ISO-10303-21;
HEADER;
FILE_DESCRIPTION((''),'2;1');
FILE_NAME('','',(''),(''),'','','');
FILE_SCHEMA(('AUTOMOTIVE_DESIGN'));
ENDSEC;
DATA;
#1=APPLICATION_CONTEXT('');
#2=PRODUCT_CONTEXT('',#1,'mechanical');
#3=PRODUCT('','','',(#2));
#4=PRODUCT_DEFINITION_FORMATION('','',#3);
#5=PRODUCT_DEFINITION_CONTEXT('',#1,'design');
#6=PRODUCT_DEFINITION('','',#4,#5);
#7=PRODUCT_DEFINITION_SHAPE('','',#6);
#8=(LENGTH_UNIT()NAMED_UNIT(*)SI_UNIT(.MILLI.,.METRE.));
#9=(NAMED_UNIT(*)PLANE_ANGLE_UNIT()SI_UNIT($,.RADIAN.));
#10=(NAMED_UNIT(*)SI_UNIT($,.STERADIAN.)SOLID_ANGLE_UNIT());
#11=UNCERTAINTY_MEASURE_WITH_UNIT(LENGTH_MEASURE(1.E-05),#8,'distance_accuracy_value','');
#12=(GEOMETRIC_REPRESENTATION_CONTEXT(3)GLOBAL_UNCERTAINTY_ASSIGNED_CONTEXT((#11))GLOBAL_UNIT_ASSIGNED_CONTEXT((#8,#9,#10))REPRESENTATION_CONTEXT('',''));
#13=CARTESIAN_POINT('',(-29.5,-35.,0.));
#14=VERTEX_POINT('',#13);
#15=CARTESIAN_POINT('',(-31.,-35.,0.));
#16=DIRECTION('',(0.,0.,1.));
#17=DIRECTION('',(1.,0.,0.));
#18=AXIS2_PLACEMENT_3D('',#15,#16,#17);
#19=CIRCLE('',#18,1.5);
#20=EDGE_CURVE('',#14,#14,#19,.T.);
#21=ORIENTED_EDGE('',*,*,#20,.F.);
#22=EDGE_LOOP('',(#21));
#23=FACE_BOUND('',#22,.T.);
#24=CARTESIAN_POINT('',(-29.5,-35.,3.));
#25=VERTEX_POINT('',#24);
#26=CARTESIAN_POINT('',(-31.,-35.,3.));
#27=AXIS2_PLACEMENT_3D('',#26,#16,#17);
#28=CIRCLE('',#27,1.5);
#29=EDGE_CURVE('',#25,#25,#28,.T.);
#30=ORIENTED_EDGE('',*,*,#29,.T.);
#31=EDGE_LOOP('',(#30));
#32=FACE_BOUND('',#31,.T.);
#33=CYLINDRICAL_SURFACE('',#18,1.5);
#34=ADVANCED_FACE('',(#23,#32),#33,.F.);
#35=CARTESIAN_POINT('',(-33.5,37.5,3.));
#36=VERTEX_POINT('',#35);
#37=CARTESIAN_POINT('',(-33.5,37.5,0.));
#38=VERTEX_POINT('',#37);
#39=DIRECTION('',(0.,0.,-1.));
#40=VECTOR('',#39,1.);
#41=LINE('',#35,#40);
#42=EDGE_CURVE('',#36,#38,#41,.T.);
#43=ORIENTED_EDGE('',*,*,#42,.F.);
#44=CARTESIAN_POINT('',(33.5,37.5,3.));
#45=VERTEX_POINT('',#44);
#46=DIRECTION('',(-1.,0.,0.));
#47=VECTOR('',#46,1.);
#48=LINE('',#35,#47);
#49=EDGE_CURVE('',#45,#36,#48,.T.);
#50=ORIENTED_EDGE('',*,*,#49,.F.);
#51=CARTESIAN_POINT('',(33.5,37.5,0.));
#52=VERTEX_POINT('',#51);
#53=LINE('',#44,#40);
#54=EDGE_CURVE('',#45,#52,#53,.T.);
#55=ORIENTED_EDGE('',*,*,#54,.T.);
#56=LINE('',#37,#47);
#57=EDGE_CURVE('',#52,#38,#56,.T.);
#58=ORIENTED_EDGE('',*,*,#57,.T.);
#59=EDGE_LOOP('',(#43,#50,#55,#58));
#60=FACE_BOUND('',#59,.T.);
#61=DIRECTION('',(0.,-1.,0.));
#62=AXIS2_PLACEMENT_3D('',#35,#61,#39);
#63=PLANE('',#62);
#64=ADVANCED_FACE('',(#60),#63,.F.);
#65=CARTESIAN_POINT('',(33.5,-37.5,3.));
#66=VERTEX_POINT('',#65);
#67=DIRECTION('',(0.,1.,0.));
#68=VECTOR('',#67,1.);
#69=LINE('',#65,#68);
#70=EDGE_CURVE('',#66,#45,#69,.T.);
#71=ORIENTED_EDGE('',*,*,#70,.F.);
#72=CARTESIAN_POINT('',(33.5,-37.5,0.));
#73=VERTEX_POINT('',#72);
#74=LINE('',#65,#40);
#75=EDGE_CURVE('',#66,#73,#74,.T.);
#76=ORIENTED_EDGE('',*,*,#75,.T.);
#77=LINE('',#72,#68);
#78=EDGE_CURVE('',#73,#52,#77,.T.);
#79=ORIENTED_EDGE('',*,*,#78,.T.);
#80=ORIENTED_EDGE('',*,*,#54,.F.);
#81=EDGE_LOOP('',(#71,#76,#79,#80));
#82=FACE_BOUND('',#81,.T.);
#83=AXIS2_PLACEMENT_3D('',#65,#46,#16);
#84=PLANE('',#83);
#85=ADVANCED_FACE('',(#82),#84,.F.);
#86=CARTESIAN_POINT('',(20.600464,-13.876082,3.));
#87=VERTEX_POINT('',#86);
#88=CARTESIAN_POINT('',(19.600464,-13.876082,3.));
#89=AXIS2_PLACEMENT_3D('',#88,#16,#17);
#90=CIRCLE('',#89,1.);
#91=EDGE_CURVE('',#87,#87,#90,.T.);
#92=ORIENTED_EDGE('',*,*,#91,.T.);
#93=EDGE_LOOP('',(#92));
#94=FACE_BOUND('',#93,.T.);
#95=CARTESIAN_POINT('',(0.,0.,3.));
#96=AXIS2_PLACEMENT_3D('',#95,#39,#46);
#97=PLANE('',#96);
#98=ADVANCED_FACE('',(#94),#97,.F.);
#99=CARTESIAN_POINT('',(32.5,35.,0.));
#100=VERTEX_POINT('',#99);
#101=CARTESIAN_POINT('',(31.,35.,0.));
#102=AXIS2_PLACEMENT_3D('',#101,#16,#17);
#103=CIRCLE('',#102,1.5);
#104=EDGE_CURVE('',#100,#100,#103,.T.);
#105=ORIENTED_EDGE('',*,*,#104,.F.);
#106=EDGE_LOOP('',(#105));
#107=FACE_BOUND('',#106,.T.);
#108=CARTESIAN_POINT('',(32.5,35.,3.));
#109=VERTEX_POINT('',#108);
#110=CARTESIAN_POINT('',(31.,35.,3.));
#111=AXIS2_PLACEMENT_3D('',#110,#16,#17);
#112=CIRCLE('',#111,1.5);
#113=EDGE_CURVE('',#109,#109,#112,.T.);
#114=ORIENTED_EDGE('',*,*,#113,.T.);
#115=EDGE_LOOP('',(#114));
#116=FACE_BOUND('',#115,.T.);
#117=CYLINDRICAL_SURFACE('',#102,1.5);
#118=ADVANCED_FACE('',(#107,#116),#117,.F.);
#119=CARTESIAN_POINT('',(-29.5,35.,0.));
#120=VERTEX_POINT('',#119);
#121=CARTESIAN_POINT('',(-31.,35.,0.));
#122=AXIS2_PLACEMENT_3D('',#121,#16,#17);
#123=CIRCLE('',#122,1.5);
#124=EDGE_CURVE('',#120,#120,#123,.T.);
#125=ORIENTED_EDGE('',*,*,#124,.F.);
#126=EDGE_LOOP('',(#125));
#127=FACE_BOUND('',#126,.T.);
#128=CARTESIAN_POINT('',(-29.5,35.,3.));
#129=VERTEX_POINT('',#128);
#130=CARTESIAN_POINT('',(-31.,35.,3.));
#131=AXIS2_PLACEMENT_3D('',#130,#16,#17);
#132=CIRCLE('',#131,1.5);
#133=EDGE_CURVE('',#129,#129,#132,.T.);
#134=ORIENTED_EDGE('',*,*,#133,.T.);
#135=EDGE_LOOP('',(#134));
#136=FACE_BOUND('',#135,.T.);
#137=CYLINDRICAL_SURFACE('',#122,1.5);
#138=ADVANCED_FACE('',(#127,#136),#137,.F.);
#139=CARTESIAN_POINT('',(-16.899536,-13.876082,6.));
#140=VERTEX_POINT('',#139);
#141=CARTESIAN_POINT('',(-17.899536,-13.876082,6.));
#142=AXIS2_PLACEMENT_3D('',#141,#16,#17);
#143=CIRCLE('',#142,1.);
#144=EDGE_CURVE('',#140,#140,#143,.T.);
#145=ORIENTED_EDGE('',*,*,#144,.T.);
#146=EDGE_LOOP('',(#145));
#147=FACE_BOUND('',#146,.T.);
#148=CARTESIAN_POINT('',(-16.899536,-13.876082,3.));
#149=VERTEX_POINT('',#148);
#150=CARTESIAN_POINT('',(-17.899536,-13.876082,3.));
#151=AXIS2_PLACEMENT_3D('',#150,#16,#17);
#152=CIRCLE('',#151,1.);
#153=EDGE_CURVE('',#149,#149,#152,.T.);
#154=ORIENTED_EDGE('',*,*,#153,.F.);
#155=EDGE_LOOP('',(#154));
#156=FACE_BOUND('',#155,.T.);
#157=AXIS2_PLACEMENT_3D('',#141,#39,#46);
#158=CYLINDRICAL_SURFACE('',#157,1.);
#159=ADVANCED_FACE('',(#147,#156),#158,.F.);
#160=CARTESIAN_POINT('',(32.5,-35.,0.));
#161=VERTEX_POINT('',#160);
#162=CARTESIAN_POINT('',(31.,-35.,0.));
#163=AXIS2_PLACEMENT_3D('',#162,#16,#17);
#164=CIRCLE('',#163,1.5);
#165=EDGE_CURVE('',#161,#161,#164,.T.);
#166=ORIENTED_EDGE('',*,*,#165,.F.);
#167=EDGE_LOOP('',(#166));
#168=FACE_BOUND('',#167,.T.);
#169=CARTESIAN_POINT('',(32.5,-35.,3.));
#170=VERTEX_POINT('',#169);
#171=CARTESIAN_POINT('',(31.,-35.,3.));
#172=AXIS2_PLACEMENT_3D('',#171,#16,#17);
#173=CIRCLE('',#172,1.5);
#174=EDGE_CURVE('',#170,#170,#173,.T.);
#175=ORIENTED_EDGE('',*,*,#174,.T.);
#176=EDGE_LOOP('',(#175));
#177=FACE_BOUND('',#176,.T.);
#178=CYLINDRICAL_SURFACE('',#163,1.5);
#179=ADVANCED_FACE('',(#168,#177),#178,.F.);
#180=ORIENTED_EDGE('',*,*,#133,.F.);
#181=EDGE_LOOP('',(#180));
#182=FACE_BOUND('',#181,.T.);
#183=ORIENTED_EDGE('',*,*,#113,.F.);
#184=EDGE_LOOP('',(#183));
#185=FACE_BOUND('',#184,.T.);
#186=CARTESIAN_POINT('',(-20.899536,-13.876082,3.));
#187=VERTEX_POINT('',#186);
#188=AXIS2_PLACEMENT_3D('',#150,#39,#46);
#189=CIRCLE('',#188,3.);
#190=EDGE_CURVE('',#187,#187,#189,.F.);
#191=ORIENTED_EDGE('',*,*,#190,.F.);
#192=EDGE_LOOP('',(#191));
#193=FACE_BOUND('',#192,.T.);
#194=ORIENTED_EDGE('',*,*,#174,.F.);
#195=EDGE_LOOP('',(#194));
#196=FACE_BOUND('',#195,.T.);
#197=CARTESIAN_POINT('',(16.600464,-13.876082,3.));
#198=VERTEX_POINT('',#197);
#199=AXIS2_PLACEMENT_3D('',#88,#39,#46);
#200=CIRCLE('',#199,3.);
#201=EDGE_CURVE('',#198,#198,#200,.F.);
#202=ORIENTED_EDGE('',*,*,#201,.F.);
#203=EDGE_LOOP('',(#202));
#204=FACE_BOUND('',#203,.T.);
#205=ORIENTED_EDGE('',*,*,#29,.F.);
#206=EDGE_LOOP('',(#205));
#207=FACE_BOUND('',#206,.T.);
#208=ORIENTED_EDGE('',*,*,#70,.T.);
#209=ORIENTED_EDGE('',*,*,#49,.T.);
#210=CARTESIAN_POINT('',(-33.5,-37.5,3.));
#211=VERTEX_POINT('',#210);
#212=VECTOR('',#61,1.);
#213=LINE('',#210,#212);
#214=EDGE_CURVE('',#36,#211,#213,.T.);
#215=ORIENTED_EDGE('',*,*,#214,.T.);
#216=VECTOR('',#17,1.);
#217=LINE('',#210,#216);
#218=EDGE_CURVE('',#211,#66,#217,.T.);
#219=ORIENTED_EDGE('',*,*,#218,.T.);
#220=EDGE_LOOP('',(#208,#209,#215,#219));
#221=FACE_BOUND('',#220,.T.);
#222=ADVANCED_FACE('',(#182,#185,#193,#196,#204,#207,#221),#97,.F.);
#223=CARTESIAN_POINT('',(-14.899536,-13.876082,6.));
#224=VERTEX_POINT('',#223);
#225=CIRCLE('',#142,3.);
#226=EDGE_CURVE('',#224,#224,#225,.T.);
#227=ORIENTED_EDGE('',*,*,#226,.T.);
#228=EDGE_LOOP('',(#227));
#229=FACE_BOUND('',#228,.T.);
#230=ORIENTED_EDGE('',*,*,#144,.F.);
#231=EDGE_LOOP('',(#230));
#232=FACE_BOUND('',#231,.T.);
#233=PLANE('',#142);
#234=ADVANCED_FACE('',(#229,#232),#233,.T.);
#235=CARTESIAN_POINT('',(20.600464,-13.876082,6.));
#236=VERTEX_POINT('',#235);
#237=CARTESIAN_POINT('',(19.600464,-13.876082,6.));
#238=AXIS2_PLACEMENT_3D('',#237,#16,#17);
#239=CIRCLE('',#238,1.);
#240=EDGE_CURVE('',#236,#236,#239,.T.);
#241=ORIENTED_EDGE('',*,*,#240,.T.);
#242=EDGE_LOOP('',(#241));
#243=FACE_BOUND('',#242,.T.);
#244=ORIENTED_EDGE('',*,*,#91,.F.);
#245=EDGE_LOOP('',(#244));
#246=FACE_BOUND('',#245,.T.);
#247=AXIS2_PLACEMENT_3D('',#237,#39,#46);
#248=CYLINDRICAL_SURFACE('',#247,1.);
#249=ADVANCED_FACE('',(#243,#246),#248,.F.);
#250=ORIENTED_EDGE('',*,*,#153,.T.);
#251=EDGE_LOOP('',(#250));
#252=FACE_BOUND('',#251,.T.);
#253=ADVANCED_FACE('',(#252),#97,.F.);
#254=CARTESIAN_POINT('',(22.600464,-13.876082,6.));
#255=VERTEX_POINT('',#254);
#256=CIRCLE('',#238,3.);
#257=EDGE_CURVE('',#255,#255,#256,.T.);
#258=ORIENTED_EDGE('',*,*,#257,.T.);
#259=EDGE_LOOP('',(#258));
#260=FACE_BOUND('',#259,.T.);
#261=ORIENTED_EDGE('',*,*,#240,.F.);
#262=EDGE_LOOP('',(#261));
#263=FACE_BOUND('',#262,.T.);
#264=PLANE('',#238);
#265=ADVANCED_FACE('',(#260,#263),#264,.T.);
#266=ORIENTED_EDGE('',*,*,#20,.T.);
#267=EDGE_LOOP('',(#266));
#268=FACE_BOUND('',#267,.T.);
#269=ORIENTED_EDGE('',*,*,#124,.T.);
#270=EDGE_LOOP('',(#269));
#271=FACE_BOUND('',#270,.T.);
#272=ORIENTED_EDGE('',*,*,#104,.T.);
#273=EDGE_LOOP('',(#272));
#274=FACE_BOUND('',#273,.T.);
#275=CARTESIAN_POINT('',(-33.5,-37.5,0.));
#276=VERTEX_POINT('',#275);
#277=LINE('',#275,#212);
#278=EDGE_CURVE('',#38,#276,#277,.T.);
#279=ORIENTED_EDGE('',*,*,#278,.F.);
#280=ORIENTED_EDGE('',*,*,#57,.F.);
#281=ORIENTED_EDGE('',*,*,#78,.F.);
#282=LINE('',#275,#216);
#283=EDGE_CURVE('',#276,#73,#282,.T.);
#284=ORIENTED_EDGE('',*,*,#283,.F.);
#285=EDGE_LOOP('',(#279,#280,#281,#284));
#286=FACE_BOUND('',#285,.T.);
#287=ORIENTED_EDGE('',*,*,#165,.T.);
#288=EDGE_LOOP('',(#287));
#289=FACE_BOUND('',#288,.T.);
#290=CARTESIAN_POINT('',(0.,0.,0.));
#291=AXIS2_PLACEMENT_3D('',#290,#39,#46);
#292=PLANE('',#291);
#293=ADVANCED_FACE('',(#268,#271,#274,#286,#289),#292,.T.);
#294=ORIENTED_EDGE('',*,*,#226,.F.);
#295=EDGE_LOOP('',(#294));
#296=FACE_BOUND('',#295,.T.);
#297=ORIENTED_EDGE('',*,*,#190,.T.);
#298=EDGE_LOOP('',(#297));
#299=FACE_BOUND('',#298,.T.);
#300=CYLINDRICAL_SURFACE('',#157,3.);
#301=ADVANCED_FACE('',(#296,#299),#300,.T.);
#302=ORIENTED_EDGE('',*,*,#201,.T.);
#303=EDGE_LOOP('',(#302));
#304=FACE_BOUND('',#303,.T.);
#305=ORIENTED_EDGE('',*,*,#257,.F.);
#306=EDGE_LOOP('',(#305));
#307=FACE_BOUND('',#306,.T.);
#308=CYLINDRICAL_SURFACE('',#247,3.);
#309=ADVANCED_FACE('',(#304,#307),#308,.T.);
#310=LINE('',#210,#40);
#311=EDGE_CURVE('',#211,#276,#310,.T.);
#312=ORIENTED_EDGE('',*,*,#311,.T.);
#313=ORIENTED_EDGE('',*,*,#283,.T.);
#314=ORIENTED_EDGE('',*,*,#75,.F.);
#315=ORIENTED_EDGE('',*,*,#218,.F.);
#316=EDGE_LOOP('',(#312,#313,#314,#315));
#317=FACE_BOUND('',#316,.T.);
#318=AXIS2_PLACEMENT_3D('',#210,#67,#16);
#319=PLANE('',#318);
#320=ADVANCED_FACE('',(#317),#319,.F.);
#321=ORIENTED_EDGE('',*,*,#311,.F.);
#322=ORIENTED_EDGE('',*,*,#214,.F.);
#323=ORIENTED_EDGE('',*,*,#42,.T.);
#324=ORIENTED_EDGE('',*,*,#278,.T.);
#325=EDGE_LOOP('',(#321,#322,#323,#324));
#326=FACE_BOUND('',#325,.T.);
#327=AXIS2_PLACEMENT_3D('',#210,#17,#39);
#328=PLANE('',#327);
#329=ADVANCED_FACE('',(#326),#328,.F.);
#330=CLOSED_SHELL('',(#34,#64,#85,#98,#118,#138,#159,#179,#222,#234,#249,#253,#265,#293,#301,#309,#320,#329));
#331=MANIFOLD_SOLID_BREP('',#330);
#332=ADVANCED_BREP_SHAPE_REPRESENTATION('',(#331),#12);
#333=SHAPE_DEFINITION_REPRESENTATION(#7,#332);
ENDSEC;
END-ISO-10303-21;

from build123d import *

# Parameters (mm, degrees)
SKETCH1_W           = 67
SKETCH1_H           = 75
BOSS_EXTRUDE1_DEPTH = 3
SKETCH2_R           = 1.5
CUT_EXTRUDE1_DEPTH  = 3
SKETCH3_R           = 3
SKETCH3_R_2         = 1
BOSS_EXTRUDE2_DEPTH = 3


with BuildPart() as part:
    # Sketch1 → Boss-Extrude1 (new body)
    with BuildSketch(Plane.XY):
        Rectangle(SKETCH1_W, SKETCH1_H)
    extrude(amount=BOSS_EXTRUDE1_DEPTH)

    # Sketch2 → Cut-Extrude1 (cut)
    with BuildSketch(Plane.XY.offset(3)):
        with Locations((-31, 35)):
            Circle(SKETCH2_R)
        with Locations((31, 35)):
            Circle(SKETCH2_R)
        with Locations((31, -35)):
            Circle(SKETCH2_R)
        with Locations((-31, -35)):
            Circle(SKETCH2_R)
    extrude(amount=-CUT_EXTRUDE1_DEPTH, mode=Mode.SUBTRACT)

    # Sketch3 → Boss-Extrude2 (add)
    # profile 1 of 2: a face of its own
    with BuildSketch(Plane.XY.offset(3)):
        with Locations(Location((-17.899535592, -13.876081532, 0), (0, 0, 180))):
            Circle(SKETCH3_R)
        with Locations((-17.899535592, -13.876081532)):
            Circle(SKETCH3_R_2, mode=Mode.SUBTRACT)
    # profile 2 of 2: a face of its own
    with BuildSketch(Plane.XY.offset(3)):
        with Locations(Location((19.600464408, -13.876081532, 0), (0, 0, 180))):
            Circle(SKETCH3_R)
        with Locations((19.600464408, -13.876081532)):
            Circle(SKETCH3_R_2, mode=Mode.SUBTRACT)
    extrude(amount=BOSS_EXTRUDE2_DEPTH)


solid = part.part
